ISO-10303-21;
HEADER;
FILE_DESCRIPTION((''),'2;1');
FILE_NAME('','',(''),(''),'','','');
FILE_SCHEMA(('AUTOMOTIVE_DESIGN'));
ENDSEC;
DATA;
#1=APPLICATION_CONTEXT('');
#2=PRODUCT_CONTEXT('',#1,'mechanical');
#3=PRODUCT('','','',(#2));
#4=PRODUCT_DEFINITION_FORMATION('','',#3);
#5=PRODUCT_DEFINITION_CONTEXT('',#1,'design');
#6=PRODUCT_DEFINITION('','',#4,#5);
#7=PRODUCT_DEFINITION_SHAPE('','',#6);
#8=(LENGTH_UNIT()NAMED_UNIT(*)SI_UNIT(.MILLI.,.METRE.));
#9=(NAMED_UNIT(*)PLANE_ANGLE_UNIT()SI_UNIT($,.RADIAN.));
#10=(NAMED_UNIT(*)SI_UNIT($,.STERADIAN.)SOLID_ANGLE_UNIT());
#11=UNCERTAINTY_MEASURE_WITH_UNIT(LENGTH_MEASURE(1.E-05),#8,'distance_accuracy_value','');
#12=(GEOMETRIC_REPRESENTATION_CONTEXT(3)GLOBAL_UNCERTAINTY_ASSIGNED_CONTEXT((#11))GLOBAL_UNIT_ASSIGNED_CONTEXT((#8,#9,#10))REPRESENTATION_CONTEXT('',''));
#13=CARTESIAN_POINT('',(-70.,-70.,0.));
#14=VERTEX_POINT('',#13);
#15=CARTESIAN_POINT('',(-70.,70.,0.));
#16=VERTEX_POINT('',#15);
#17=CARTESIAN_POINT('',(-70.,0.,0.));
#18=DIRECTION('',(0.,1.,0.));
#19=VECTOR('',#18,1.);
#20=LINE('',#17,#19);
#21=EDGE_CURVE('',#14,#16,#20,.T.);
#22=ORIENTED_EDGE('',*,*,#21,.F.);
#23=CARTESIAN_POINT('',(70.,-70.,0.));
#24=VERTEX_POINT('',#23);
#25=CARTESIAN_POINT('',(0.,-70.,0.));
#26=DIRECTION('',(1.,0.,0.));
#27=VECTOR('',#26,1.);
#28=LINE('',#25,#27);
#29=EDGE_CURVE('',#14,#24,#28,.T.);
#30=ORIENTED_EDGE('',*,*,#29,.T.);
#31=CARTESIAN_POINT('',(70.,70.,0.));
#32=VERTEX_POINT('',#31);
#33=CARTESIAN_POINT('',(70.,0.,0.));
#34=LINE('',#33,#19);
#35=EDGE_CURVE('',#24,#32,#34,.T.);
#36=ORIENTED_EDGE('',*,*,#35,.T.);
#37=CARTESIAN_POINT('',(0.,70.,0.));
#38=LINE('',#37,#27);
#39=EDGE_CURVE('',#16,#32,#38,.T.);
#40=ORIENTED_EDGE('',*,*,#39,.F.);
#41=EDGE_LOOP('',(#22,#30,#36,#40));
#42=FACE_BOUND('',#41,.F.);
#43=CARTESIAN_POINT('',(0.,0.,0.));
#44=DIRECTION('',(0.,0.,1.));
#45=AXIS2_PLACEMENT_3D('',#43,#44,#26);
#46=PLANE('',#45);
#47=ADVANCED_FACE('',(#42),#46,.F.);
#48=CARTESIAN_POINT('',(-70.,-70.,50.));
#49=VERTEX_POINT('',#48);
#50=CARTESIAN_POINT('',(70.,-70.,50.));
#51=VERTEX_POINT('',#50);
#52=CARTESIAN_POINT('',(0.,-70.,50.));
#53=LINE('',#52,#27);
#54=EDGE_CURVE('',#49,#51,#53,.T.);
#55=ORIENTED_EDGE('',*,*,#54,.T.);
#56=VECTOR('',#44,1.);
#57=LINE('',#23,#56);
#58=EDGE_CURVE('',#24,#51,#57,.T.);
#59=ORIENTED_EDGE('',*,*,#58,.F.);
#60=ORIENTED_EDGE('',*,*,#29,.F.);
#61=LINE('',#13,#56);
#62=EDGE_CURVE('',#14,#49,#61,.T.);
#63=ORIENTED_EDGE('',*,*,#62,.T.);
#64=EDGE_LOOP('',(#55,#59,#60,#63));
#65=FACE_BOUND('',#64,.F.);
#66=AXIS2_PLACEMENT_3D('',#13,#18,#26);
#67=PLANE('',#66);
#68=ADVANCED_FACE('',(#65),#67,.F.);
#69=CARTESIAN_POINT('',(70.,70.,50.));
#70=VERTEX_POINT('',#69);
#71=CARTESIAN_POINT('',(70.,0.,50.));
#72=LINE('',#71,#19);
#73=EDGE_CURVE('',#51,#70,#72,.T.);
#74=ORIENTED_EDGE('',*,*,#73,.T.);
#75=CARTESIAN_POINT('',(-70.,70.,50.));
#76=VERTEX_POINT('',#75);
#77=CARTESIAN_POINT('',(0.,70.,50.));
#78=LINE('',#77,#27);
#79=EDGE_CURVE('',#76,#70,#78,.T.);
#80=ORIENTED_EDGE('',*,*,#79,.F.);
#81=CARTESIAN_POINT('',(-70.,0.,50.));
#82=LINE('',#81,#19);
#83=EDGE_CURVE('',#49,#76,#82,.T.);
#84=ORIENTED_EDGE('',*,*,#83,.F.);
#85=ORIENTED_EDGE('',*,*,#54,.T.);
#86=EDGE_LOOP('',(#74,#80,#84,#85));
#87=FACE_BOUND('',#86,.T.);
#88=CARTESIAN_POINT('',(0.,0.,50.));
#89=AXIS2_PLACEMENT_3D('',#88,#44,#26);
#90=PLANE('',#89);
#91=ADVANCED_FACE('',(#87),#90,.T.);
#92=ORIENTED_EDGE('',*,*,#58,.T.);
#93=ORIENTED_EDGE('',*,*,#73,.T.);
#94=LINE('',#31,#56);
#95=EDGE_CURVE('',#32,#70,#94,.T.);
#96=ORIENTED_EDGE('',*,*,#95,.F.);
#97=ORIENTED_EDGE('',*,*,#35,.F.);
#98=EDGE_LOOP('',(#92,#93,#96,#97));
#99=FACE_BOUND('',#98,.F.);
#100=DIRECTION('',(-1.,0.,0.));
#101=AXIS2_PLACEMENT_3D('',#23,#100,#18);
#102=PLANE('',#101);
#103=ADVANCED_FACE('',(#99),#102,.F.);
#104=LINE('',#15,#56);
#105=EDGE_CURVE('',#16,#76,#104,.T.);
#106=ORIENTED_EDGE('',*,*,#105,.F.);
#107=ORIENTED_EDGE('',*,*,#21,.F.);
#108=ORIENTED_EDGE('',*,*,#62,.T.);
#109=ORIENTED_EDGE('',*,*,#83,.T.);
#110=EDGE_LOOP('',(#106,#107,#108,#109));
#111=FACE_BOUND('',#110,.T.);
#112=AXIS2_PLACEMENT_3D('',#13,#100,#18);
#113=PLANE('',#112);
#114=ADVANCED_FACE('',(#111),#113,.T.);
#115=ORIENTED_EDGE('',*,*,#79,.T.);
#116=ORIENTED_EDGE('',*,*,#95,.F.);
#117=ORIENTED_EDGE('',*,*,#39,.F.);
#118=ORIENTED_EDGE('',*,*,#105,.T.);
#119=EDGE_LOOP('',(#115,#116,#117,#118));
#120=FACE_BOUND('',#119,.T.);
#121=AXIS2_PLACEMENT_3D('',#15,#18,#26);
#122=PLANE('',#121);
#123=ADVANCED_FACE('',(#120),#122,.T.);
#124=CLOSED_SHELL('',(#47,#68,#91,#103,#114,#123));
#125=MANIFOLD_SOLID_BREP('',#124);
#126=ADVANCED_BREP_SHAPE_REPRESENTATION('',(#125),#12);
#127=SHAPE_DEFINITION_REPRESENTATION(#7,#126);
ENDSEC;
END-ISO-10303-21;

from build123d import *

# Parameters (mm, degrees)
SKETCH_W      = 140
SKETCH_H      = 140
EXTRUDE_DEPTH = 50


with BuildPart() as part:
    # Sketch → Extrude (new body)
    with BuildSketch(Plane.XY):
        Rectangle(SKETCH_W, SKETCH_H)
    extrude(amount=EXTRUDE_DEPTH)


solid = part.part
